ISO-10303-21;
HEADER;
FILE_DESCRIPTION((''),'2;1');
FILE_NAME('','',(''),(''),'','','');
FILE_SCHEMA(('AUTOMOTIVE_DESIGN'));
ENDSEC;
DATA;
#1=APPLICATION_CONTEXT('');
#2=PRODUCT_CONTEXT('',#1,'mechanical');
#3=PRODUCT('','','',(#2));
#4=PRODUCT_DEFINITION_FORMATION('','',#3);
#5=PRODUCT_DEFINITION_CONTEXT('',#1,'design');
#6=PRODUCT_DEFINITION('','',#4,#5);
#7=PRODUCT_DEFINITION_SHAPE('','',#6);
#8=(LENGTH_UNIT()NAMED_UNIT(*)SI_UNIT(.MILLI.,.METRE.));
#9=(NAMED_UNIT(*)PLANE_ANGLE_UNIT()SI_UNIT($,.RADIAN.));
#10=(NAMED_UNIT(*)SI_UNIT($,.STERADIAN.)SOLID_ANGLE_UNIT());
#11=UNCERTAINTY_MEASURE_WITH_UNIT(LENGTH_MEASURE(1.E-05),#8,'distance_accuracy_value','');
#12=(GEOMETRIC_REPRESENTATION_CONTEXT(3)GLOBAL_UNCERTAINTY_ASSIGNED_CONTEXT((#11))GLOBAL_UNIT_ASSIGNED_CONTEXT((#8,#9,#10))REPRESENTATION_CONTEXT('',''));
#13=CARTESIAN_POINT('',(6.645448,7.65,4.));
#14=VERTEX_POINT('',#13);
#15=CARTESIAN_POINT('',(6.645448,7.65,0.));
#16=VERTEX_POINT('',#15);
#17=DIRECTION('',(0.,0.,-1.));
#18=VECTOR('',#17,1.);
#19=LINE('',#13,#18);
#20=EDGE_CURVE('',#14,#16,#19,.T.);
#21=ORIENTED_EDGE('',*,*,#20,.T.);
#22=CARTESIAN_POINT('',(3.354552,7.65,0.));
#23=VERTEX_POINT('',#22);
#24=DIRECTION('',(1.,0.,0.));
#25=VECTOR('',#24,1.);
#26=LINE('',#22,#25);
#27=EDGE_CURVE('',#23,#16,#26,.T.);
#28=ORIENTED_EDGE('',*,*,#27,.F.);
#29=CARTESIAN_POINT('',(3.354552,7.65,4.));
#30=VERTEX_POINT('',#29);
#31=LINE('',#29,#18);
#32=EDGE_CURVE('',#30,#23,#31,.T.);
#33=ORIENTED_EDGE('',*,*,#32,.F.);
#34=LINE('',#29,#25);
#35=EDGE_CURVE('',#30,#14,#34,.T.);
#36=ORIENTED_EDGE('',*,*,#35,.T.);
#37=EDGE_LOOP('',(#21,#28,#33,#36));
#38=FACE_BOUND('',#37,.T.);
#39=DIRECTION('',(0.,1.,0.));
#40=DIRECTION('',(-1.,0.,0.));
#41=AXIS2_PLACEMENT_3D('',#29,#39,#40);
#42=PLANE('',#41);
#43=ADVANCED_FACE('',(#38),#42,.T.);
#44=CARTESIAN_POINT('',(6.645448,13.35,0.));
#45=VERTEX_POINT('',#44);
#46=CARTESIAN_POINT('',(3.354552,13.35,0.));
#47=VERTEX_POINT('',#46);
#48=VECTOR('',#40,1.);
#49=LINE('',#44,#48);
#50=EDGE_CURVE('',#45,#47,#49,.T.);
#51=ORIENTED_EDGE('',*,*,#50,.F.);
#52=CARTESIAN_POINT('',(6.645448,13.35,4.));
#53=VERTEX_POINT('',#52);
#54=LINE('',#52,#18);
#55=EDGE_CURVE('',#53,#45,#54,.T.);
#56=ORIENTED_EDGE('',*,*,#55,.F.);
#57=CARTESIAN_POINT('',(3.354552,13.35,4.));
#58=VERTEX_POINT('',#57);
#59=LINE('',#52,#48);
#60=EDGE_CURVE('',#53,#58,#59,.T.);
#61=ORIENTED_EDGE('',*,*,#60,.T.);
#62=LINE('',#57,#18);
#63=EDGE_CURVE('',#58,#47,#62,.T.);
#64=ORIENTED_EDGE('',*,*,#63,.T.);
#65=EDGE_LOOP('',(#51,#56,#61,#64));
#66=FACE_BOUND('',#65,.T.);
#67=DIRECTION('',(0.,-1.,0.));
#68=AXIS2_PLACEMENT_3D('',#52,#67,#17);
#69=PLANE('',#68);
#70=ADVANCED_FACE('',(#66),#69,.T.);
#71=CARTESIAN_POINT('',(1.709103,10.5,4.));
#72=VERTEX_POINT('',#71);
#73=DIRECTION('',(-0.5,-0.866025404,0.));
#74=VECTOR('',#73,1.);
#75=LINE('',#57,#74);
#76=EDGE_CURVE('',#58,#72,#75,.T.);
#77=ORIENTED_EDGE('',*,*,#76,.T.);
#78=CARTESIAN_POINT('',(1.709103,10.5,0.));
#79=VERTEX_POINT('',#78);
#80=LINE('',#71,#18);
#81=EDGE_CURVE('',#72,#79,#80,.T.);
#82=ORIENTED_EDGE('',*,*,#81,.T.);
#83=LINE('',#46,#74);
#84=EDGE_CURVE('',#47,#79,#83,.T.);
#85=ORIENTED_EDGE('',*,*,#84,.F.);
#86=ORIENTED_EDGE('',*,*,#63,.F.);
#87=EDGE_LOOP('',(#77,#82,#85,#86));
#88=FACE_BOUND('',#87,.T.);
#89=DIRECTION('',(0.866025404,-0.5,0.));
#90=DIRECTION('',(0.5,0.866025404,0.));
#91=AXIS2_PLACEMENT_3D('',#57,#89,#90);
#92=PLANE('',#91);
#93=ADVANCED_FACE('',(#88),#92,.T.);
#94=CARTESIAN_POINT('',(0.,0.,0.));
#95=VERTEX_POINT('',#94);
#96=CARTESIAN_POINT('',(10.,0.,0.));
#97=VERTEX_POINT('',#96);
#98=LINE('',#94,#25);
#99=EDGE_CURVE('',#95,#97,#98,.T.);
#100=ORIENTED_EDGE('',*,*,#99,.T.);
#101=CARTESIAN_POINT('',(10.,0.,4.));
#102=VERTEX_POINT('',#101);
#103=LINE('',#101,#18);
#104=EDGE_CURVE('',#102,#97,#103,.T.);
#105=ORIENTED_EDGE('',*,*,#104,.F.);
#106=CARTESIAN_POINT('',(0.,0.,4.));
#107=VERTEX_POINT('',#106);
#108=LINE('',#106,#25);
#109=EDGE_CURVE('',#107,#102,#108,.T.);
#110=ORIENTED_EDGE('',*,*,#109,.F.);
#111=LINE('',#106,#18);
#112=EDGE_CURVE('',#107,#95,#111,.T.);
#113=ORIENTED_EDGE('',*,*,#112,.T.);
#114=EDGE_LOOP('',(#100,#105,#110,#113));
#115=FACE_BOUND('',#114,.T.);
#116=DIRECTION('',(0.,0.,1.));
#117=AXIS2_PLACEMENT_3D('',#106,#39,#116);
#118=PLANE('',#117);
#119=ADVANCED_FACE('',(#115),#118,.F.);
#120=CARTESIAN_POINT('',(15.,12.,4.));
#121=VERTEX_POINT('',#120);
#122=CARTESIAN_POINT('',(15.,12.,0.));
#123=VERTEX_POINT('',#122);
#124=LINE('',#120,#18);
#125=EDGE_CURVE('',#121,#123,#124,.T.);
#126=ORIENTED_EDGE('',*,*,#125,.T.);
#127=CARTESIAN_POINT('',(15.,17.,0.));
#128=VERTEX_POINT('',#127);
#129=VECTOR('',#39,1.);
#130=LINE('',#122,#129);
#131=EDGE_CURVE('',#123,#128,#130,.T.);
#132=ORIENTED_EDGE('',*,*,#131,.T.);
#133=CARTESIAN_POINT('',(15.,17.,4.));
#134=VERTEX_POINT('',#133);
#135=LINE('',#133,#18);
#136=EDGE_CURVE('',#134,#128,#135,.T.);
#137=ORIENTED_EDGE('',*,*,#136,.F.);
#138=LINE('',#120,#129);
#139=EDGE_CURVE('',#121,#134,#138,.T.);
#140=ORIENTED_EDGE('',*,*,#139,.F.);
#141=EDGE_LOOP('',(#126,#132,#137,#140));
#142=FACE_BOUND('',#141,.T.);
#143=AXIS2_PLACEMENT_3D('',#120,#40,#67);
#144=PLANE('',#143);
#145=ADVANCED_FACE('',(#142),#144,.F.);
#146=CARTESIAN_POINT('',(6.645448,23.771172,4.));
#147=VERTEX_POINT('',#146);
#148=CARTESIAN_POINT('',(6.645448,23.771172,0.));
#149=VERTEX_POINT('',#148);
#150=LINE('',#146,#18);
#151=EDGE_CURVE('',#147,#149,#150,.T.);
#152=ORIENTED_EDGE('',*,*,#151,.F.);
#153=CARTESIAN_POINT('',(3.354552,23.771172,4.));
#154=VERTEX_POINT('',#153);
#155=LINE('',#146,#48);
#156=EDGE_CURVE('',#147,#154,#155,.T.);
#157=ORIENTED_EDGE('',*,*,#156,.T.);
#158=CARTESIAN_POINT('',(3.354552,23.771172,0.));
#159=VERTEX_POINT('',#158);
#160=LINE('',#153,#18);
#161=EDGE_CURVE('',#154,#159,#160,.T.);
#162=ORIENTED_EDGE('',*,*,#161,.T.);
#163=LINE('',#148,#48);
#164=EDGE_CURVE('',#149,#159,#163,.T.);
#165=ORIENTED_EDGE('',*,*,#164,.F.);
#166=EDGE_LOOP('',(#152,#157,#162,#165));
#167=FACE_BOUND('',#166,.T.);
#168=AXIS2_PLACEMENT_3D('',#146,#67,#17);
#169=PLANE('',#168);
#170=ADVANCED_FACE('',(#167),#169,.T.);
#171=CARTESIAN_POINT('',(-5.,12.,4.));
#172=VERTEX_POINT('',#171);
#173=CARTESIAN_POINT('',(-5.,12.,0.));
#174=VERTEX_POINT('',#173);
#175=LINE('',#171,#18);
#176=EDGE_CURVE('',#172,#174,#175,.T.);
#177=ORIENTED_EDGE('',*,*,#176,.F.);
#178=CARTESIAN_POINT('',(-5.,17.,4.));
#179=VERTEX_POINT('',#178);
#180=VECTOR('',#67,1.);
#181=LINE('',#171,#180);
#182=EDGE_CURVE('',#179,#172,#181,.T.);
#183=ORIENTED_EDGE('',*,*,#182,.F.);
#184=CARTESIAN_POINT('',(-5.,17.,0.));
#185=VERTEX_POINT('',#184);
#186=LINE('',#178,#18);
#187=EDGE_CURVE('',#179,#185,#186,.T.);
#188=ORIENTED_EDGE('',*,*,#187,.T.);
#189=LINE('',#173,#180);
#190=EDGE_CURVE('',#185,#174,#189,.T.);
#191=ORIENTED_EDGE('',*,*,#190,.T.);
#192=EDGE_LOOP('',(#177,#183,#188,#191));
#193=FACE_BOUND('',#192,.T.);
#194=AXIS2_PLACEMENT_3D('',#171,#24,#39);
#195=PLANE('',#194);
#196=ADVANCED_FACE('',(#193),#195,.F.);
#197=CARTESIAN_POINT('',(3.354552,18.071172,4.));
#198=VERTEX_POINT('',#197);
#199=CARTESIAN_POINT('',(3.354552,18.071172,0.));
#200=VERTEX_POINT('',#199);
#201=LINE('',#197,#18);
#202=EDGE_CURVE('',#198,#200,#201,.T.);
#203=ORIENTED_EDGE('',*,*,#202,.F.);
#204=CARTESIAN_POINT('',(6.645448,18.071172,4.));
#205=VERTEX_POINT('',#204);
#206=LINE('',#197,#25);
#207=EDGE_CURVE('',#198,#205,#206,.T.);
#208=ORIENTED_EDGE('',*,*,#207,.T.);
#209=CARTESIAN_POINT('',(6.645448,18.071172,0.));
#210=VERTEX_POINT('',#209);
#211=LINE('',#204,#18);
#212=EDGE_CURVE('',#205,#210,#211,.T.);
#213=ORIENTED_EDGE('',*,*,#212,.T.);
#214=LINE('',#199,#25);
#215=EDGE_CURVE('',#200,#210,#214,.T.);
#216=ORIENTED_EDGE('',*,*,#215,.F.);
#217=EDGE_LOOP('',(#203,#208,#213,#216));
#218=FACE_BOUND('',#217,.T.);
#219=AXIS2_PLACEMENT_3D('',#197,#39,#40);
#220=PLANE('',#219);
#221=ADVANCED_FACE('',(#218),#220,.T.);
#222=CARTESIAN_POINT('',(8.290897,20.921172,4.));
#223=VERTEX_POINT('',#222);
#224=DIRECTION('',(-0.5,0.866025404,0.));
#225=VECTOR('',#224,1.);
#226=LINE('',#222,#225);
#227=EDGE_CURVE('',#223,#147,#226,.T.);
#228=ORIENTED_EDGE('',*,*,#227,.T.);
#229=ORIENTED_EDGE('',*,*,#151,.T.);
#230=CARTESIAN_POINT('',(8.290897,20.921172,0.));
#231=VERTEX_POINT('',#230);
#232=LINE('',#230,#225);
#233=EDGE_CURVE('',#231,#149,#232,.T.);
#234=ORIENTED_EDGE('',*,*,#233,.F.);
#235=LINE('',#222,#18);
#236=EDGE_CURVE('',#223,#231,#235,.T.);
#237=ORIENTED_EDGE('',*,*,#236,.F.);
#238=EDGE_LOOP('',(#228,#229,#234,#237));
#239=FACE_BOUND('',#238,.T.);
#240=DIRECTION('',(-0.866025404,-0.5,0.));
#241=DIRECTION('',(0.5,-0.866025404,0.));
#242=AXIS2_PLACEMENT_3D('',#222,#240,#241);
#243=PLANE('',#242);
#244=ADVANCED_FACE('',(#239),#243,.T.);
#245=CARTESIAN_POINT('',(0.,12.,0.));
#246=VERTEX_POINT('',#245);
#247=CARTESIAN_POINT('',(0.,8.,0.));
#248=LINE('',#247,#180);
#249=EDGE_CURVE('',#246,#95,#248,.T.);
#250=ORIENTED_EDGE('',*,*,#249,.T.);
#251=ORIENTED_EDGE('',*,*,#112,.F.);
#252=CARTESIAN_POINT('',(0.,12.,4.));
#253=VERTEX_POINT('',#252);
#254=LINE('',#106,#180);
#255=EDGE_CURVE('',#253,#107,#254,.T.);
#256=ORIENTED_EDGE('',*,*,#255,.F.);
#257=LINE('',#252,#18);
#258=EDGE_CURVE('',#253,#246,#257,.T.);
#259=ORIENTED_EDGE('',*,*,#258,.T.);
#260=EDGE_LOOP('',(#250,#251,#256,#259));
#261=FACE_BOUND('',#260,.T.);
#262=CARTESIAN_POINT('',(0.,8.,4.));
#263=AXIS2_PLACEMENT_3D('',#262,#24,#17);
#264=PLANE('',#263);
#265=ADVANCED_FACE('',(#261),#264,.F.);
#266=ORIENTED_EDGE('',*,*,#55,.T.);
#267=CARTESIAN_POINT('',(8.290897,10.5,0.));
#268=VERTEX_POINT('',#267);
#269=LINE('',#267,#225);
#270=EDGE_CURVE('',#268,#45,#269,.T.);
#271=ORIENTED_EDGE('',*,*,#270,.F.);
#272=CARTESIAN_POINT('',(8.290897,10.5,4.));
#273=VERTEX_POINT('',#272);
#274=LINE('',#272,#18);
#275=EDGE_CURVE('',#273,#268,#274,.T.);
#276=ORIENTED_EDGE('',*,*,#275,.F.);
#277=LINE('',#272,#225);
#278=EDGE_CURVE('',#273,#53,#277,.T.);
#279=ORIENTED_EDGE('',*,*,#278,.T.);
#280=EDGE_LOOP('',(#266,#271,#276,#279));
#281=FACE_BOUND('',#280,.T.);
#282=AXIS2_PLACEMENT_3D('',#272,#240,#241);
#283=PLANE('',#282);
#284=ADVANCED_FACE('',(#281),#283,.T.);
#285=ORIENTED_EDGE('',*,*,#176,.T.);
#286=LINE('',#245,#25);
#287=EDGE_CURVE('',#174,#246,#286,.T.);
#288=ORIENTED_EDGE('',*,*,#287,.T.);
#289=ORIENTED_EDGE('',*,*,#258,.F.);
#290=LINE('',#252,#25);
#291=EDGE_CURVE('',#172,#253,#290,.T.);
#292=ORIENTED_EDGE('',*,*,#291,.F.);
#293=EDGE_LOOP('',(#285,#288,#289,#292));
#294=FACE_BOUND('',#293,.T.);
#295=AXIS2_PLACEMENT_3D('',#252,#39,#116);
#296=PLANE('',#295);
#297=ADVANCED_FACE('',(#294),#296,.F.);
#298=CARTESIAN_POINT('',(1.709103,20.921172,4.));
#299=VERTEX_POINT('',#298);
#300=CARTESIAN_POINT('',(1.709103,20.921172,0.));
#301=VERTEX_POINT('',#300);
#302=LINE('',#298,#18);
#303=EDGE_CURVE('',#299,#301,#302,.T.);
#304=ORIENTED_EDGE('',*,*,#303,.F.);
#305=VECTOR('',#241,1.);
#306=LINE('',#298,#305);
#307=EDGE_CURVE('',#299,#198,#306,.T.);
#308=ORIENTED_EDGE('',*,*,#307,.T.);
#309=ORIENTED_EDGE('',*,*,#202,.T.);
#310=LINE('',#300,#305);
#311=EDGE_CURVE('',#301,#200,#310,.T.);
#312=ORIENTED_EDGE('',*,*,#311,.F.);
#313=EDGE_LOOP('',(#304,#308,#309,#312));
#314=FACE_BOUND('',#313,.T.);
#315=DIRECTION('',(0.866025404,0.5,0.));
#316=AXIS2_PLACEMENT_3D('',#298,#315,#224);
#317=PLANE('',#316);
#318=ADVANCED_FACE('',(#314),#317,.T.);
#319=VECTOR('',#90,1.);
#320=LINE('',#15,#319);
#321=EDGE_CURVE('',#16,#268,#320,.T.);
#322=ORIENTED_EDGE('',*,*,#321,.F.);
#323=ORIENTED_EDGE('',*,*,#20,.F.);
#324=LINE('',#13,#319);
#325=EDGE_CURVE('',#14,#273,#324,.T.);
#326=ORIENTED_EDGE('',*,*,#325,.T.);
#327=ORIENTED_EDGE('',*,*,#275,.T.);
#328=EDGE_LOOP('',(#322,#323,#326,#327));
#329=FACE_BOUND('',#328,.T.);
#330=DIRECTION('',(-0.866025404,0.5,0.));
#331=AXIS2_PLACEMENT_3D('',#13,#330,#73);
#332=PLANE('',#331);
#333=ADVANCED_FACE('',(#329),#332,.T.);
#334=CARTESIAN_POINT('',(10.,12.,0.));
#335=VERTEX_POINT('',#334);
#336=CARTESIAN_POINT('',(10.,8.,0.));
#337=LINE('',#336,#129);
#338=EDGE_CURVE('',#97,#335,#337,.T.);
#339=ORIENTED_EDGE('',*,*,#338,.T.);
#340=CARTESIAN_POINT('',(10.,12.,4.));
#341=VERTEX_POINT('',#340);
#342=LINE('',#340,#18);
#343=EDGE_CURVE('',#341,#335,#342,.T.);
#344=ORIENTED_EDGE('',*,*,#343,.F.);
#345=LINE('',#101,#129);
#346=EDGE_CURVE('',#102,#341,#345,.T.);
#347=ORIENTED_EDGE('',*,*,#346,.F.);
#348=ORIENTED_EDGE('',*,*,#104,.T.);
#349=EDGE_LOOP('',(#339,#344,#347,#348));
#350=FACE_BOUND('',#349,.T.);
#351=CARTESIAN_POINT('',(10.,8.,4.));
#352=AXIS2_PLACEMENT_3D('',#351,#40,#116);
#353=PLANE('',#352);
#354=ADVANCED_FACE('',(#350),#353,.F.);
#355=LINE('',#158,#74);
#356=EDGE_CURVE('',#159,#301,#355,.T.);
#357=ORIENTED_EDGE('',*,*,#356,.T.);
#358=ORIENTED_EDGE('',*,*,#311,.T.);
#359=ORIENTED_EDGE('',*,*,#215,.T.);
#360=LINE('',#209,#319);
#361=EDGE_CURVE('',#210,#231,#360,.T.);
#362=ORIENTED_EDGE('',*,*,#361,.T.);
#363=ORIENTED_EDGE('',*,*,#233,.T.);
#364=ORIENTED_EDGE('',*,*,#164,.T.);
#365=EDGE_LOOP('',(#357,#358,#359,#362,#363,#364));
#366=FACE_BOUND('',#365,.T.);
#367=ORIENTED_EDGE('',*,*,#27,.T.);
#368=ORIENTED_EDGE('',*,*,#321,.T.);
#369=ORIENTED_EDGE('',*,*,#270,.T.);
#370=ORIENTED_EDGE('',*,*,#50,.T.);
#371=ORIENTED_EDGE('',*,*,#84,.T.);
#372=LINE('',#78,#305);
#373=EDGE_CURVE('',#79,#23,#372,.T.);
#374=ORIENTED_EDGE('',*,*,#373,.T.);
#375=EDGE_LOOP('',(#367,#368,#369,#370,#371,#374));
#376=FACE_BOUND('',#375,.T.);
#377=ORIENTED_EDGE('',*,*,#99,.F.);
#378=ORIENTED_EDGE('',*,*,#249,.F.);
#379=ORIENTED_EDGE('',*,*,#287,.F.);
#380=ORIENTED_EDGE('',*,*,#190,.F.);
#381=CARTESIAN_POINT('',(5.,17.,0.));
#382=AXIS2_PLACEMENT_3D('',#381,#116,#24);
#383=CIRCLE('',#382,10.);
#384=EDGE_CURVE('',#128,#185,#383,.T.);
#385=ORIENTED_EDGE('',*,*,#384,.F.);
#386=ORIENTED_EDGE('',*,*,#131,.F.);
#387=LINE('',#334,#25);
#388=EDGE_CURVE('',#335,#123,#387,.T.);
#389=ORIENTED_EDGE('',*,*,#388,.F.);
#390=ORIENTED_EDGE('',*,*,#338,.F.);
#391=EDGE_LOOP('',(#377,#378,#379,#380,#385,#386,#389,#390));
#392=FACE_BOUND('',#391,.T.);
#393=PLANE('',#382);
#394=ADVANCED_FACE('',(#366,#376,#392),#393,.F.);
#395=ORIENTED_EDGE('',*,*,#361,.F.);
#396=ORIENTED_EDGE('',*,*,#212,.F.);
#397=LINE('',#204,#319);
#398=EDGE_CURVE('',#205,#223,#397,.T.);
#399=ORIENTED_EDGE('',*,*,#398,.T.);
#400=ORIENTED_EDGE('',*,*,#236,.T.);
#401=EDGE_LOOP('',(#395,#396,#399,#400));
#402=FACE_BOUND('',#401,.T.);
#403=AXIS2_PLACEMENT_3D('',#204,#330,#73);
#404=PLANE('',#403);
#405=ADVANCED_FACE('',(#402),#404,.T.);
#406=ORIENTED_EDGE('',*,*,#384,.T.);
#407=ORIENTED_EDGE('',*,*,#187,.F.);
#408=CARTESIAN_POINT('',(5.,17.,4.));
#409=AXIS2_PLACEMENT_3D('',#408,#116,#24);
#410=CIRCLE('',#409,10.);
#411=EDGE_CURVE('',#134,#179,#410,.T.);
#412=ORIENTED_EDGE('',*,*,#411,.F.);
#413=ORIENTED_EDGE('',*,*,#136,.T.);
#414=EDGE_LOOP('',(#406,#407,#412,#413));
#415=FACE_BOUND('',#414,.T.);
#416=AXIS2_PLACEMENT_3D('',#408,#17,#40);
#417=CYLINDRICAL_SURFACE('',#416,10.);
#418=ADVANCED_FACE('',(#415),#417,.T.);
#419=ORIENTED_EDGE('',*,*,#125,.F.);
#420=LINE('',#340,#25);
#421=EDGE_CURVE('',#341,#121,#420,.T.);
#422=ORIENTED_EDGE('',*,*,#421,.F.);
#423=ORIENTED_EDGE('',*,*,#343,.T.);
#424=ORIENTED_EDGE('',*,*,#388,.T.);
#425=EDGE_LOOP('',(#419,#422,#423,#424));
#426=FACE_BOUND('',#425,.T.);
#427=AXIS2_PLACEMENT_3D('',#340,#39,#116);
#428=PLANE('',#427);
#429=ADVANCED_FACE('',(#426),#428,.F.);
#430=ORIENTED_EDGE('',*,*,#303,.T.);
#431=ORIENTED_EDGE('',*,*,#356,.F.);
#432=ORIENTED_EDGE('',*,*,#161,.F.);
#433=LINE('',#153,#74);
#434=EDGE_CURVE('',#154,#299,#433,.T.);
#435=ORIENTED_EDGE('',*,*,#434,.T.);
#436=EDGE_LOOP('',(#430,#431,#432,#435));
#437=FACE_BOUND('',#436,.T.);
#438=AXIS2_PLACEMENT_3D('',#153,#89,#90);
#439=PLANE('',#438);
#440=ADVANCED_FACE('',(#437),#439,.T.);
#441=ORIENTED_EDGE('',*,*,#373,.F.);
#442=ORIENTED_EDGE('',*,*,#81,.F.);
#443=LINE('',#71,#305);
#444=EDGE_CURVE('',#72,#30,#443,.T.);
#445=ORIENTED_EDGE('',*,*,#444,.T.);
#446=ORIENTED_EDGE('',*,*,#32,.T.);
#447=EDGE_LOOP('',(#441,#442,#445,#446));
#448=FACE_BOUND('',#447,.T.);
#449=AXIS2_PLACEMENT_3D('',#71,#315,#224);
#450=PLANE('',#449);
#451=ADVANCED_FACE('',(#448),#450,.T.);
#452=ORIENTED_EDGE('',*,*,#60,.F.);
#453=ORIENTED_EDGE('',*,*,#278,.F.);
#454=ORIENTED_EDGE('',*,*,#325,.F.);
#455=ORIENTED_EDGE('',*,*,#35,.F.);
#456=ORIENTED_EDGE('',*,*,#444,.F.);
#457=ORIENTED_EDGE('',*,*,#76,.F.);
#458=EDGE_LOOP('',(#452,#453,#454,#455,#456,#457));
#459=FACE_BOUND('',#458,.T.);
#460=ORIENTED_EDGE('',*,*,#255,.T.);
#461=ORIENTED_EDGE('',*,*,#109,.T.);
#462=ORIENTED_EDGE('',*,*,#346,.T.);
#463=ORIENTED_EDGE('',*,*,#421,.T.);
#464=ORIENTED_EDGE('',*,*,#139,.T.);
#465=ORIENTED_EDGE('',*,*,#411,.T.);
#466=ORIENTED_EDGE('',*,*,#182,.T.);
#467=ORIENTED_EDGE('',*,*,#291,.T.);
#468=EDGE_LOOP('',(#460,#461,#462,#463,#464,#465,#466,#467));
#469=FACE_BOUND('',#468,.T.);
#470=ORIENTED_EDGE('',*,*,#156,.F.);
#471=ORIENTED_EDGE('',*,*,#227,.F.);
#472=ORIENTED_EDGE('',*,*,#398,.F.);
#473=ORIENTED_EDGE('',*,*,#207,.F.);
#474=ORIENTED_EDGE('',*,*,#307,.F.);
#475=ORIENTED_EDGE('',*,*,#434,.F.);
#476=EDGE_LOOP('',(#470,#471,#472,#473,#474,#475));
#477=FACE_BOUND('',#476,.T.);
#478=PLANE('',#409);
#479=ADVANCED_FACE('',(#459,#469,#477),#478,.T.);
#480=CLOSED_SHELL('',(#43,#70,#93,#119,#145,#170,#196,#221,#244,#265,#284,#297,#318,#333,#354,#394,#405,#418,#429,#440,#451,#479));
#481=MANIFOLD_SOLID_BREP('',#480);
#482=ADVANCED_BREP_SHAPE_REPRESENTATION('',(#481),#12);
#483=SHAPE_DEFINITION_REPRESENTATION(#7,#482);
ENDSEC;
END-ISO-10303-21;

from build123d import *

# Parameters (mm, degrees)
BOSS_EXTRUDE1_DEPTH = 4
SKETCH2_W           = 2.5
SKETCH2_H           = 4
CUT_EXTRUDE1_DEPTH  = 4


with BuildPart() as part:
    # Sketch1 → Boss-Extrude1 (new body)
    with BuildSketch(Plane.XY):
        with BuildLine():
            Line((0, 0), (10, 0))
            Line((10, 0), (10, 4))
            Line((10, 4), (12.5, 4))
            Line((12.5, 4), (12.5, 8))
            Line((12.5, 8), (10, 8))
            Line((10, 8), (10, 12))
            Line((10, 12), (15, 12))
            Line((15, 12), (15, 17))
            ThreePointArc((15, 17), (5, 27), (-5, 17))
            Line((-5, 17), (-5, 12))
            Line((-5, 12), (0, 12))
            Line((0, 12), (0, 8))
            Line((0, 8), (-2.5, 8))
            Line((-2.5, 8), (-2.5, 4))
            Line((-2.5, 4), (0, 4))
            Line((0, 4), (0, 0))
        make_face()
        Polygon((3.354551733, 18.071172359), (6.645448267, 18.071172359), (8.290896534, 20.921172359), (6.645448267, 23.771172359), (3.354551733, 23.771172359), (1.709103466, 20.921172359), align=None, mode=Mode.SUBTRACT)
        Polygon((8.290896534, 10.5), (6.645448267, 13.35), (3.354551733, 13.35), (1.709103466, 10.5), (3.354551733, 7.65), (6.645448267, 7.65), align=None, mode=Mode.SUBTRACT)
    extrude(amount=BOSS_EXTRUDE1_DEPTH)

    # Sketch2 → Cut-Extrude1 (cut)
    with BuildSketch(Plane.XY.offset(4)):
        with Locations((-1.25, 6)):
            Rectangle(SKETCH2_W, SKETCH2_H)
        with Locations((11.25, 6)):
            Rectangle(SKETCH2_W, SKETCH2_H)
    extrude(amount=-CUT_EXTRUDE1_DEPTH, mode=Mode.SUBTRACT)


solid = part.part
